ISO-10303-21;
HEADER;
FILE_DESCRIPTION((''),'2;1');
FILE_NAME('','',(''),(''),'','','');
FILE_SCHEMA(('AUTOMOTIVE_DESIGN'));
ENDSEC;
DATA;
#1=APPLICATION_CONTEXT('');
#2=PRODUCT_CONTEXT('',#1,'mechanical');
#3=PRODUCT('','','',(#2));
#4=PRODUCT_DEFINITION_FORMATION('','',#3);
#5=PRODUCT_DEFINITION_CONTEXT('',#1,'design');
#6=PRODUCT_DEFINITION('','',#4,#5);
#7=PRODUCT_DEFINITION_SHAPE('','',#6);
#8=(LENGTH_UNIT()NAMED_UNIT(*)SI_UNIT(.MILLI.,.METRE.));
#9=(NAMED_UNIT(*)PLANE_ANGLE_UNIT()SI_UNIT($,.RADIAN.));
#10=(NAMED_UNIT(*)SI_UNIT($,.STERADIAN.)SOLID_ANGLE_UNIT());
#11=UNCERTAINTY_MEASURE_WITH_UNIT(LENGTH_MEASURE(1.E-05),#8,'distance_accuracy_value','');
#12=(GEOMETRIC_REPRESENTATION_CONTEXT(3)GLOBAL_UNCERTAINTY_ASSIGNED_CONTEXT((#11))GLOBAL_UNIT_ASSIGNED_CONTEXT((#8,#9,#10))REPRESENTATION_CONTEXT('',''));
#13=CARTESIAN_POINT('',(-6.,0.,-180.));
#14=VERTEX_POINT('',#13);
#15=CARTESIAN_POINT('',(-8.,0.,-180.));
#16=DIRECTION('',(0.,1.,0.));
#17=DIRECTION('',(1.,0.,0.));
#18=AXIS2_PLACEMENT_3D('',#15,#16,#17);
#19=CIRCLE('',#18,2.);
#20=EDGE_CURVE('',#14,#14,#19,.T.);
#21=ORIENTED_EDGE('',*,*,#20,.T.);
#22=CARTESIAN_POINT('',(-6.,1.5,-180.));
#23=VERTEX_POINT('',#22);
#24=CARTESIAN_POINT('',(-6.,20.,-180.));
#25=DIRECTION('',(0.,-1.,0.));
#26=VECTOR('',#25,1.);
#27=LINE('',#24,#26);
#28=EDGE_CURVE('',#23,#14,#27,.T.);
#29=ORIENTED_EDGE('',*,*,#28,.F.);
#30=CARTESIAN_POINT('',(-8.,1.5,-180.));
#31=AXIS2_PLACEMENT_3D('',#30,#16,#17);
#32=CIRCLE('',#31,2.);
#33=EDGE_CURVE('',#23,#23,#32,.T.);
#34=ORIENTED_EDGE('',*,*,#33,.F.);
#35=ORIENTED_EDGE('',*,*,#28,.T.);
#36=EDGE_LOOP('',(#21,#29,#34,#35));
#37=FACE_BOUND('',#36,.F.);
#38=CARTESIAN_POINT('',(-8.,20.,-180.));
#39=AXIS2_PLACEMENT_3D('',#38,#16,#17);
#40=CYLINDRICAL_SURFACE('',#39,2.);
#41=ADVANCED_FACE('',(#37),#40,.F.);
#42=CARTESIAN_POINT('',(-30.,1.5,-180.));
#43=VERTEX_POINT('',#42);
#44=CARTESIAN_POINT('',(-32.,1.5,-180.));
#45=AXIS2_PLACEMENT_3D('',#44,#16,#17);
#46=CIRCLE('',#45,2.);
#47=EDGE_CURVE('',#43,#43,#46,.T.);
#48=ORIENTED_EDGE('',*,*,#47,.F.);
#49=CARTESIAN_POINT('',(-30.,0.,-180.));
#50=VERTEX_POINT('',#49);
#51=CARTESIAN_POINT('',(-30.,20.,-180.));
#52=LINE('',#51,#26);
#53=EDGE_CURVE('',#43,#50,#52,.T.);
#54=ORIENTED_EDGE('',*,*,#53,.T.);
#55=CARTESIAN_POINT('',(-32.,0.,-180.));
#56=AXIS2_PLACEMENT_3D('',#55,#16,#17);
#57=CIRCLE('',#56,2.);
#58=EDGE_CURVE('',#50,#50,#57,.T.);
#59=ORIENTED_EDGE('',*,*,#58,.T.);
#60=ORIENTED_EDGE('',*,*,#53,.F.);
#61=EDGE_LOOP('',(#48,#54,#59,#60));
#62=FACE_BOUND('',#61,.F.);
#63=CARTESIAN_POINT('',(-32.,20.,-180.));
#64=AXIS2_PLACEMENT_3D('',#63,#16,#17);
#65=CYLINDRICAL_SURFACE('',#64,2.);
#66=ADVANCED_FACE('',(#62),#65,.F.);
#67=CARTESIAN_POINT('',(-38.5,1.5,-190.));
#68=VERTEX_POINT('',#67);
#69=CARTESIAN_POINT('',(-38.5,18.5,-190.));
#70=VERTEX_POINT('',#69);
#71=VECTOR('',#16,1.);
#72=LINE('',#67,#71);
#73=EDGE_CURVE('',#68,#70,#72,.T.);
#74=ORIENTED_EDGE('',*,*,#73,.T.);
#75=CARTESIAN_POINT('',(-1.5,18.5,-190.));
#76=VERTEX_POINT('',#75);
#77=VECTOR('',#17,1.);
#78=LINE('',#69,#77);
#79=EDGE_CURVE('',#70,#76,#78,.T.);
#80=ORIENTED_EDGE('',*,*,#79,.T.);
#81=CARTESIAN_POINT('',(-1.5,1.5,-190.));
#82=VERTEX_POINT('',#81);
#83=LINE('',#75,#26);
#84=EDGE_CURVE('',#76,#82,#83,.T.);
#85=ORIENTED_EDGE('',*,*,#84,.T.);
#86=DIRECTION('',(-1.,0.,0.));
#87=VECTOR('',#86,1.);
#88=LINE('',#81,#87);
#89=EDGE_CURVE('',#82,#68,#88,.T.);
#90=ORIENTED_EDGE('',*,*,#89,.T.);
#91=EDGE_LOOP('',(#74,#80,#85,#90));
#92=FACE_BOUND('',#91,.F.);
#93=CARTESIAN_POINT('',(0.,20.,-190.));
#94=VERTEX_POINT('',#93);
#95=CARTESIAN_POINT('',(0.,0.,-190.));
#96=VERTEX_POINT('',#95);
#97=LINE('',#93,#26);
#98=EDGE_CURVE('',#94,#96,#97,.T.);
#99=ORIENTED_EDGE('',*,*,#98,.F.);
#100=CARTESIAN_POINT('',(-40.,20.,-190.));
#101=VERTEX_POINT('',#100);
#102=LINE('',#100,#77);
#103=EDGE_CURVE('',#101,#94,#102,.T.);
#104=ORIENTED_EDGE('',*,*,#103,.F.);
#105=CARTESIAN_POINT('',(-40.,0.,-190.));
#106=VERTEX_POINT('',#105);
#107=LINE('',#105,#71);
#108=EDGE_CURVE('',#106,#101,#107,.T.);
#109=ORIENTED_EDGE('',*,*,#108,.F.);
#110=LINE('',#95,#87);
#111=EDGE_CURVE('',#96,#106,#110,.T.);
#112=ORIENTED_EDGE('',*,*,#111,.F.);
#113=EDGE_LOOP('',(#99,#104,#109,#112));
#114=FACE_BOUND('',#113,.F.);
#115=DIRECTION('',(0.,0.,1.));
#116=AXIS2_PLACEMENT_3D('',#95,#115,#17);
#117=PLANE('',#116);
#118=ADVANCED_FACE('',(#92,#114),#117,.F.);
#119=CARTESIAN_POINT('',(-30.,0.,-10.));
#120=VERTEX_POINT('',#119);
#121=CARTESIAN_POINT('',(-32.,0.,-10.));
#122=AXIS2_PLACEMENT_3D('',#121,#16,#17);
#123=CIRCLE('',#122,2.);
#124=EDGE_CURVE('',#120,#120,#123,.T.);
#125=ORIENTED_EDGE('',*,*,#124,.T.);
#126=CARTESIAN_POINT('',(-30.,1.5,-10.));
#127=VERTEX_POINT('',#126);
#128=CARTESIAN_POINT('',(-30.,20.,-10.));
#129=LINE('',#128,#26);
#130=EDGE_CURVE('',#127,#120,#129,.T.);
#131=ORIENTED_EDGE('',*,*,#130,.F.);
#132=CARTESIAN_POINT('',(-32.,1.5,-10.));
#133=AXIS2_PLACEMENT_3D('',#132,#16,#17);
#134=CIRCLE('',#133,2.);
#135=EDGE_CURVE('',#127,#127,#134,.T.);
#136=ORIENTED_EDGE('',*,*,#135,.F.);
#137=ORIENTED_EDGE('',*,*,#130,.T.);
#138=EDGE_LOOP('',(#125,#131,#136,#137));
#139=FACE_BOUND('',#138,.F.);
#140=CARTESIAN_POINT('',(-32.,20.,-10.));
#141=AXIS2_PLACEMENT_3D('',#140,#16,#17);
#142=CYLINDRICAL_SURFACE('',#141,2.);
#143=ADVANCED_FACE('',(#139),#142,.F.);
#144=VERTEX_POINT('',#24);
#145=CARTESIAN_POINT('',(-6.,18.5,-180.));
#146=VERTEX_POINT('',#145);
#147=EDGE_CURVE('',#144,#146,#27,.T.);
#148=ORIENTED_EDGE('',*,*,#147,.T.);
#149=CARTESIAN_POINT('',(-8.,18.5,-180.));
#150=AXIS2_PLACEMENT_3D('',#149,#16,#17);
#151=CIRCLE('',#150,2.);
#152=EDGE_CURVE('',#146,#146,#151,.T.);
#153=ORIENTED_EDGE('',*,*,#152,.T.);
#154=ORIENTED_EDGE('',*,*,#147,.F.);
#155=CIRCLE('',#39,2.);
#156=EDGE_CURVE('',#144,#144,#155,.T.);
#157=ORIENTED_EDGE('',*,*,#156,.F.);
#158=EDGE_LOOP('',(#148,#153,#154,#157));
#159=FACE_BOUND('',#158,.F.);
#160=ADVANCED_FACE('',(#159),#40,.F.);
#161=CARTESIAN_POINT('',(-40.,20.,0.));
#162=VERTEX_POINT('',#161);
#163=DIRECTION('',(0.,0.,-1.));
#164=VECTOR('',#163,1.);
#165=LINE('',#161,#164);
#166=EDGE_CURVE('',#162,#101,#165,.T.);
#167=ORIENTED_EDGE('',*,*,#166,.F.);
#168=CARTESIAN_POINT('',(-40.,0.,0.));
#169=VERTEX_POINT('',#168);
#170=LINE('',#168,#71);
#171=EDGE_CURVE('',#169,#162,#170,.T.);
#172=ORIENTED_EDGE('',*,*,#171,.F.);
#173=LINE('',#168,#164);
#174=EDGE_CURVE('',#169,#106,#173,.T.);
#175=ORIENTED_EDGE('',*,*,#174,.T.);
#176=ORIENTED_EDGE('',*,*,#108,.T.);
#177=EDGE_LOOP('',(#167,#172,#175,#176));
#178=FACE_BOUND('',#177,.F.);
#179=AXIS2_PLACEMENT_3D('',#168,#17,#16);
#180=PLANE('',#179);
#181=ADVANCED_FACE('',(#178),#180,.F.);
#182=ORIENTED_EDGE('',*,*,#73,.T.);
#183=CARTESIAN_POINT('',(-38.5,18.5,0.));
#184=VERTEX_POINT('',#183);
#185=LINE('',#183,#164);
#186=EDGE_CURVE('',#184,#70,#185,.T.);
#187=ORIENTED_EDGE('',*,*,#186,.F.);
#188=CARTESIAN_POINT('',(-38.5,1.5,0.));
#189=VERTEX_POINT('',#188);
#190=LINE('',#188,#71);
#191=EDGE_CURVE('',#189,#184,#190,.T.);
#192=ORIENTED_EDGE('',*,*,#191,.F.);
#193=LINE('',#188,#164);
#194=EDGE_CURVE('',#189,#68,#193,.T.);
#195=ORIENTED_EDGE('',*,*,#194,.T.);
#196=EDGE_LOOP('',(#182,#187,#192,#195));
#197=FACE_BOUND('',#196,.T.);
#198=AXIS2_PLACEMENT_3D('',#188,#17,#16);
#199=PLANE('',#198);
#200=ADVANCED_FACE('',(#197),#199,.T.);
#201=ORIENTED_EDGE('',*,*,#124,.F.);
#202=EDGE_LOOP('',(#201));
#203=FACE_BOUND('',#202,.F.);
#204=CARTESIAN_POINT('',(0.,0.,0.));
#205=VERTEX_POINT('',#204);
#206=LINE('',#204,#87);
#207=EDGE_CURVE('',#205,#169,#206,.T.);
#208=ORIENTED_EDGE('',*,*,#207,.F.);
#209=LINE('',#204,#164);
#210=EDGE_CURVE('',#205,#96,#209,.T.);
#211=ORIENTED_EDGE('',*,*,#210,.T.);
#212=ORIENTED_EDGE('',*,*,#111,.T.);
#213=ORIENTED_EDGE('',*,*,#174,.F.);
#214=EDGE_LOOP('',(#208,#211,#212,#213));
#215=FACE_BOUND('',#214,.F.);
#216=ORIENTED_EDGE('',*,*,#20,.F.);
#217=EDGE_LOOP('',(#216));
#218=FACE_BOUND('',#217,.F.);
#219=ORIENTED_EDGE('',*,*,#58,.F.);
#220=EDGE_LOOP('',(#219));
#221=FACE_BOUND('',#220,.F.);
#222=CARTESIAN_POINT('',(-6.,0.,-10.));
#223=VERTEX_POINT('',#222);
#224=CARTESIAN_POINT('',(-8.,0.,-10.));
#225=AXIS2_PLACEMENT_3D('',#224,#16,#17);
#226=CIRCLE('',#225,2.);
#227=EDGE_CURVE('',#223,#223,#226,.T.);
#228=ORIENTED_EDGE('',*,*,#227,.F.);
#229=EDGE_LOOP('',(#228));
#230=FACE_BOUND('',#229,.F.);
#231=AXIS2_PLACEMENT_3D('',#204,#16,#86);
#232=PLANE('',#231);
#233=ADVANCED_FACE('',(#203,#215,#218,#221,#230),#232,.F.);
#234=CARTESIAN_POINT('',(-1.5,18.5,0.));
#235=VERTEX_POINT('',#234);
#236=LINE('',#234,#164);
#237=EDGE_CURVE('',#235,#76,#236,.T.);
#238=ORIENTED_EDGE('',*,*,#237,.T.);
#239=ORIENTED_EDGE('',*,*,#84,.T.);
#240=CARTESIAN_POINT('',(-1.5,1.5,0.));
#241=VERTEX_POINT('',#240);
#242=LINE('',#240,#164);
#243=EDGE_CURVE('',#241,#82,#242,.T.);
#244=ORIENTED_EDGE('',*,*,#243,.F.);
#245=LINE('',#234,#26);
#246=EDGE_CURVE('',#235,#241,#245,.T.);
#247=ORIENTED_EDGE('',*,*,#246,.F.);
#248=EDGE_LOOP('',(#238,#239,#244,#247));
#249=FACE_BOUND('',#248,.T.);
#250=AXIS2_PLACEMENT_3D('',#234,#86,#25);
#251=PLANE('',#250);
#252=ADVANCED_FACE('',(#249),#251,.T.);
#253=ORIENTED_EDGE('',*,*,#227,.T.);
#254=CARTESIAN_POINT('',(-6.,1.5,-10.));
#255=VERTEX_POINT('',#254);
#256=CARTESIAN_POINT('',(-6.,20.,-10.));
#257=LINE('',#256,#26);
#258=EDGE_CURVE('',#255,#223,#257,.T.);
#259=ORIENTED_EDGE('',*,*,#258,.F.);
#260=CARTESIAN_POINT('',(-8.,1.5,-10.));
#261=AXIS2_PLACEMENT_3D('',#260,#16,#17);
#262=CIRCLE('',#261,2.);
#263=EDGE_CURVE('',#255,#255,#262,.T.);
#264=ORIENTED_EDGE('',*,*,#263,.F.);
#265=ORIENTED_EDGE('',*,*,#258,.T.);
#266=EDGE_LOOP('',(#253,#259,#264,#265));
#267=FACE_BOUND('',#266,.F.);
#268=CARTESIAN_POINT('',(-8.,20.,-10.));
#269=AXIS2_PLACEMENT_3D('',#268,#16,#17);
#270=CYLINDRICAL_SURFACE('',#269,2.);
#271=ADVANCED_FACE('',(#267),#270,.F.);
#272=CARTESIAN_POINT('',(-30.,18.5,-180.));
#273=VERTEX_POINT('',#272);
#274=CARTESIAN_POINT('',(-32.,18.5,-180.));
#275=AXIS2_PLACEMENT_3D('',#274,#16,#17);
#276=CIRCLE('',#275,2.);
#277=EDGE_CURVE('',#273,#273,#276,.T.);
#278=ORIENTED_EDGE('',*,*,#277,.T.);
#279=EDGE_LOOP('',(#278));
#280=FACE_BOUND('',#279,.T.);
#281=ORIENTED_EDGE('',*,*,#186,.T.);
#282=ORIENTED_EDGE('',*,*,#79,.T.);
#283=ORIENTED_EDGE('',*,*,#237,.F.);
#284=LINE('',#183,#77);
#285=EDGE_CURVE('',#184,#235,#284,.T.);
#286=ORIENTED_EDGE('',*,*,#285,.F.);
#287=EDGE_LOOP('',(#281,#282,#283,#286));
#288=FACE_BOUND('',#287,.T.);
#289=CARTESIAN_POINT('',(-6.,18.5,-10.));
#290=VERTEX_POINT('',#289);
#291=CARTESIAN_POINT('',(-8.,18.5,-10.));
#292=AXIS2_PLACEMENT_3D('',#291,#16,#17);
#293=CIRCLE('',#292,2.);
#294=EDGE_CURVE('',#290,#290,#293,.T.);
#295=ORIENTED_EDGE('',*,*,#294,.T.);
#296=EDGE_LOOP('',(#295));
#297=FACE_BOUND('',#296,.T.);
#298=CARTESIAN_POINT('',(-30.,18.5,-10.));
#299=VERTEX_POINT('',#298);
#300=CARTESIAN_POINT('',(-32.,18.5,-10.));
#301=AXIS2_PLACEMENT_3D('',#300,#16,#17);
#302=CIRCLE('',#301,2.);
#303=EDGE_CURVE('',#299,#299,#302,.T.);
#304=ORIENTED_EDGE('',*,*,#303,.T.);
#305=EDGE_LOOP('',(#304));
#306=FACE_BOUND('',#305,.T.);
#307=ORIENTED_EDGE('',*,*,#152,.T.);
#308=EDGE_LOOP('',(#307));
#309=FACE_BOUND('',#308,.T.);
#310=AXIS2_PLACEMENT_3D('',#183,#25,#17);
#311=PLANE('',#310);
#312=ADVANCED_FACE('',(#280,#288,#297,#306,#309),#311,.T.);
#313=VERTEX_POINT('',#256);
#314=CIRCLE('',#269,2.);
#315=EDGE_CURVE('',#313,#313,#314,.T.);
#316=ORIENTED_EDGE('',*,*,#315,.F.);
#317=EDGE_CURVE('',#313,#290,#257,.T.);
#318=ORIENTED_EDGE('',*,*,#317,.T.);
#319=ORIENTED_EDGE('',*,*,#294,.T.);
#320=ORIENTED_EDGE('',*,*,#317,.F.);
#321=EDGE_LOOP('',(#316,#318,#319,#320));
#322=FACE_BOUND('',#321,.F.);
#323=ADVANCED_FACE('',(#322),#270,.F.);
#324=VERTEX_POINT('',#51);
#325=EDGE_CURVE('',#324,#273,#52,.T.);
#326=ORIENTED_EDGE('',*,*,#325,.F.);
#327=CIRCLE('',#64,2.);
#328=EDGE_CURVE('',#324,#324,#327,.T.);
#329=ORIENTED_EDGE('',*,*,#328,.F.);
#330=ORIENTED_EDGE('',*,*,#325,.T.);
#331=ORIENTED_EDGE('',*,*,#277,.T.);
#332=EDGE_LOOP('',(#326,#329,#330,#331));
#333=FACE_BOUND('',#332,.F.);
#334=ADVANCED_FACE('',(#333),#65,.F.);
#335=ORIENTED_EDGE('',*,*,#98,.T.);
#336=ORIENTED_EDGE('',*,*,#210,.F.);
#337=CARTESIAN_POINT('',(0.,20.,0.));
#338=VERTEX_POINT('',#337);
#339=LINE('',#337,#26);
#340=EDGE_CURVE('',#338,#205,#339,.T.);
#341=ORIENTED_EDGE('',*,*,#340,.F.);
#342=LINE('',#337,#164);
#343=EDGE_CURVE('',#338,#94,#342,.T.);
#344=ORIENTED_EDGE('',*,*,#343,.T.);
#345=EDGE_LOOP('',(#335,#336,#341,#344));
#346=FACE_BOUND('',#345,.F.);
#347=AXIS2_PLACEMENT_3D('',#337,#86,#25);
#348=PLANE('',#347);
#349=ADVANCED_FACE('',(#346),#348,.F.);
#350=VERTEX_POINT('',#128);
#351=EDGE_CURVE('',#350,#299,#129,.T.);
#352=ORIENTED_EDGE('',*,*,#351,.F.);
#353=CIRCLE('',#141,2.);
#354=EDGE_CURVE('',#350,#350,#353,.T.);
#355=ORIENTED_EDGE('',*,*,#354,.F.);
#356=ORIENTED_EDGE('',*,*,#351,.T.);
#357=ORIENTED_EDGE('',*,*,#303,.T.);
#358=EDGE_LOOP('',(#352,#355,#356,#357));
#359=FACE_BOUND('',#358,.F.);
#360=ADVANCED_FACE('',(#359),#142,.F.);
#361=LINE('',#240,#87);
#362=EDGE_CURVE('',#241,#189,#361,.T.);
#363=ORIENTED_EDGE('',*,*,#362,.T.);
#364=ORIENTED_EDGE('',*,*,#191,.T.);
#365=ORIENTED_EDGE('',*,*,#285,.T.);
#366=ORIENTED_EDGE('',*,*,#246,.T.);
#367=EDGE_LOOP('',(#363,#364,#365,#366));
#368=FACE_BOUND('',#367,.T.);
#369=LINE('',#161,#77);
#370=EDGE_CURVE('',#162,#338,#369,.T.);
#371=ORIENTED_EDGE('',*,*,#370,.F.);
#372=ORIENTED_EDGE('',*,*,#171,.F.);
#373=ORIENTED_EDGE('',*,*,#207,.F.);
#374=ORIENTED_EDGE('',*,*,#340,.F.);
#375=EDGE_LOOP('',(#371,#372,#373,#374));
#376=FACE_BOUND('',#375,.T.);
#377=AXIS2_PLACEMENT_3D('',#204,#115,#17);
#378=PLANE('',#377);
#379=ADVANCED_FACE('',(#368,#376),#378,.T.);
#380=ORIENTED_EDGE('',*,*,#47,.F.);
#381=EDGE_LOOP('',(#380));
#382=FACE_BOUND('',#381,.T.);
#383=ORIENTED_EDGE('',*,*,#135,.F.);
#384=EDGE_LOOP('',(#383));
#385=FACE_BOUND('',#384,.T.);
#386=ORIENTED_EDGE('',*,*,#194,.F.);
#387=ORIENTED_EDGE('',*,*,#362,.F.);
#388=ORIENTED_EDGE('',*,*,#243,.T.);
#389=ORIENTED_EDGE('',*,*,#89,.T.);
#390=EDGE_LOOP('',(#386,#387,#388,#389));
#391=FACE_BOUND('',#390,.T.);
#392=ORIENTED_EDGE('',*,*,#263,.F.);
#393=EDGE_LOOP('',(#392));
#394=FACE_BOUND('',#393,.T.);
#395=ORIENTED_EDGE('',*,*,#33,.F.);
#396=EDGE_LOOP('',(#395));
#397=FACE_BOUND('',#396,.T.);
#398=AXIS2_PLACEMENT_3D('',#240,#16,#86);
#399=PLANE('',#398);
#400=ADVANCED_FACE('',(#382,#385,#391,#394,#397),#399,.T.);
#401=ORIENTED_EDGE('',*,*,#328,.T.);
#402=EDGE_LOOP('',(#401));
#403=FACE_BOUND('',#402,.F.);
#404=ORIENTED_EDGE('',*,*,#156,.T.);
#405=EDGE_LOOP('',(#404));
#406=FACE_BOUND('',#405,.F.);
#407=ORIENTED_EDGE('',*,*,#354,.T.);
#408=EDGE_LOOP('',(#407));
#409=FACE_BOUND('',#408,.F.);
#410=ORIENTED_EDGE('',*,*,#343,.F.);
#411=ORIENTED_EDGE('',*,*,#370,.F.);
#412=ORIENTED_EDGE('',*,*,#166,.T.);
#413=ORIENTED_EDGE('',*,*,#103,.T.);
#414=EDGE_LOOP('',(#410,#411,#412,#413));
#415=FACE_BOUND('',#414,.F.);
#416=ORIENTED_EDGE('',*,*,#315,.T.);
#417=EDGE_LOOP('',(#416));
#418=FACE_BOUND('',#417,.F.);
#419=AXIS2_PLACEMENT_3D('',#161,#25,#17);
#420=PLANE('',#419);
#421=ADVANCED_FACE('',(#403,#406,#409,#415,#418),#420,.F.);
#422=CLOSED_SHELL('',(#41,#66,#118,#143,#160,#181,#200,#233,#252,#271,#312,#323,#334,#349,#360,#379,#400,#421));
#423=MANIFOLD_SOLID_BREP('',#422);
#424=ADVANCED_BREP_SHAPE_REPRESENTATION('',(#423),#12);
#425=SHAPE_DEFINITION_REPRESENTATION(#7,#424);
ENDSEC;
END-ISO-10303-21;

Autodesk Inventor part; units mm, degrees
ref_plane "YZ Plane" through (0, 0, 0) normal (1, 0, 0) x (0, 1, 0)
ref_plane "XZ Plane" through (0, 0, 0) normal (0, 1, 0) x (-1, 0, 0)
ref_plane "XY Plane" through (0, 0, 0) normal (0, 0, 1) x (1, 0, 0)
sketch "Эскиз1" plane through (0, 0, 0) normal (0, 0, 1) x (1, 0, 0)
  line L0 (0, 0) -> (-40, 0)
  line L1 (-40, 0) -> (-40, 20)
  line L2 (-40, 20) -> (0, 20)
  line L3 (0, 20) -> (0, 0)
  line L4 (-1.5, 1.5) -> (-38.5, 1.5)
  line L5 (-38.5, 1.5) -> (-38.5, 18.5)
  line L6 (-38.5, 18.5) -> (-1.5, 18.5)
  line L7 (-1.5, 18.5) -> (-1.5, 1.5)
  point P0 (-20, 18.5)
  point P1 (-20, 20)
  point P2 (-38.5, 10)
  point P3 (-40, 10)
  dimension "d0" = 40
  dimension "d18" = 20
  dimension "d19" = 1.5
  dimension "d20" = 1.5
extrude "Выдавливание3" add sketch "Эскиз1" against normal blind 190
sketch "Эскиз5" plane through (-40, 20, 0) normal (0, 1, 0) x (1, 0, 0)
  circle A0 centre (8, 180) radius 2
  circle A1 centre (32, 180) radius 2
  circle A2 centre (8, 10) radius 2
  circle A3 centre (32, 10) radius 2
  line L0 (8, 180) -> (32, 180) construction
  line L1 (32, 180) -> (32, 10) construction
  line L2 (32, 10) -> (8, 10) construction
  line L3 (8, 10) -> (8, 180) construction
  line L4 (0, 190) -> (40, 190) construction
  line L5 (40, 0) -> (40, 190) construction
  point P0 (20, 180)
  point P1 (20, 190)
  point P2 (32, 95)
  point P3 (40, 95)
  dimension "d21" = 4
  dimension "d22" = 8
  dimension "d23" = 10
extrude "Выдавливание6" cut sketch "Эскиз5" against normal blind 140
equation "\"d20\" = d19"
properties part number "main axis"
